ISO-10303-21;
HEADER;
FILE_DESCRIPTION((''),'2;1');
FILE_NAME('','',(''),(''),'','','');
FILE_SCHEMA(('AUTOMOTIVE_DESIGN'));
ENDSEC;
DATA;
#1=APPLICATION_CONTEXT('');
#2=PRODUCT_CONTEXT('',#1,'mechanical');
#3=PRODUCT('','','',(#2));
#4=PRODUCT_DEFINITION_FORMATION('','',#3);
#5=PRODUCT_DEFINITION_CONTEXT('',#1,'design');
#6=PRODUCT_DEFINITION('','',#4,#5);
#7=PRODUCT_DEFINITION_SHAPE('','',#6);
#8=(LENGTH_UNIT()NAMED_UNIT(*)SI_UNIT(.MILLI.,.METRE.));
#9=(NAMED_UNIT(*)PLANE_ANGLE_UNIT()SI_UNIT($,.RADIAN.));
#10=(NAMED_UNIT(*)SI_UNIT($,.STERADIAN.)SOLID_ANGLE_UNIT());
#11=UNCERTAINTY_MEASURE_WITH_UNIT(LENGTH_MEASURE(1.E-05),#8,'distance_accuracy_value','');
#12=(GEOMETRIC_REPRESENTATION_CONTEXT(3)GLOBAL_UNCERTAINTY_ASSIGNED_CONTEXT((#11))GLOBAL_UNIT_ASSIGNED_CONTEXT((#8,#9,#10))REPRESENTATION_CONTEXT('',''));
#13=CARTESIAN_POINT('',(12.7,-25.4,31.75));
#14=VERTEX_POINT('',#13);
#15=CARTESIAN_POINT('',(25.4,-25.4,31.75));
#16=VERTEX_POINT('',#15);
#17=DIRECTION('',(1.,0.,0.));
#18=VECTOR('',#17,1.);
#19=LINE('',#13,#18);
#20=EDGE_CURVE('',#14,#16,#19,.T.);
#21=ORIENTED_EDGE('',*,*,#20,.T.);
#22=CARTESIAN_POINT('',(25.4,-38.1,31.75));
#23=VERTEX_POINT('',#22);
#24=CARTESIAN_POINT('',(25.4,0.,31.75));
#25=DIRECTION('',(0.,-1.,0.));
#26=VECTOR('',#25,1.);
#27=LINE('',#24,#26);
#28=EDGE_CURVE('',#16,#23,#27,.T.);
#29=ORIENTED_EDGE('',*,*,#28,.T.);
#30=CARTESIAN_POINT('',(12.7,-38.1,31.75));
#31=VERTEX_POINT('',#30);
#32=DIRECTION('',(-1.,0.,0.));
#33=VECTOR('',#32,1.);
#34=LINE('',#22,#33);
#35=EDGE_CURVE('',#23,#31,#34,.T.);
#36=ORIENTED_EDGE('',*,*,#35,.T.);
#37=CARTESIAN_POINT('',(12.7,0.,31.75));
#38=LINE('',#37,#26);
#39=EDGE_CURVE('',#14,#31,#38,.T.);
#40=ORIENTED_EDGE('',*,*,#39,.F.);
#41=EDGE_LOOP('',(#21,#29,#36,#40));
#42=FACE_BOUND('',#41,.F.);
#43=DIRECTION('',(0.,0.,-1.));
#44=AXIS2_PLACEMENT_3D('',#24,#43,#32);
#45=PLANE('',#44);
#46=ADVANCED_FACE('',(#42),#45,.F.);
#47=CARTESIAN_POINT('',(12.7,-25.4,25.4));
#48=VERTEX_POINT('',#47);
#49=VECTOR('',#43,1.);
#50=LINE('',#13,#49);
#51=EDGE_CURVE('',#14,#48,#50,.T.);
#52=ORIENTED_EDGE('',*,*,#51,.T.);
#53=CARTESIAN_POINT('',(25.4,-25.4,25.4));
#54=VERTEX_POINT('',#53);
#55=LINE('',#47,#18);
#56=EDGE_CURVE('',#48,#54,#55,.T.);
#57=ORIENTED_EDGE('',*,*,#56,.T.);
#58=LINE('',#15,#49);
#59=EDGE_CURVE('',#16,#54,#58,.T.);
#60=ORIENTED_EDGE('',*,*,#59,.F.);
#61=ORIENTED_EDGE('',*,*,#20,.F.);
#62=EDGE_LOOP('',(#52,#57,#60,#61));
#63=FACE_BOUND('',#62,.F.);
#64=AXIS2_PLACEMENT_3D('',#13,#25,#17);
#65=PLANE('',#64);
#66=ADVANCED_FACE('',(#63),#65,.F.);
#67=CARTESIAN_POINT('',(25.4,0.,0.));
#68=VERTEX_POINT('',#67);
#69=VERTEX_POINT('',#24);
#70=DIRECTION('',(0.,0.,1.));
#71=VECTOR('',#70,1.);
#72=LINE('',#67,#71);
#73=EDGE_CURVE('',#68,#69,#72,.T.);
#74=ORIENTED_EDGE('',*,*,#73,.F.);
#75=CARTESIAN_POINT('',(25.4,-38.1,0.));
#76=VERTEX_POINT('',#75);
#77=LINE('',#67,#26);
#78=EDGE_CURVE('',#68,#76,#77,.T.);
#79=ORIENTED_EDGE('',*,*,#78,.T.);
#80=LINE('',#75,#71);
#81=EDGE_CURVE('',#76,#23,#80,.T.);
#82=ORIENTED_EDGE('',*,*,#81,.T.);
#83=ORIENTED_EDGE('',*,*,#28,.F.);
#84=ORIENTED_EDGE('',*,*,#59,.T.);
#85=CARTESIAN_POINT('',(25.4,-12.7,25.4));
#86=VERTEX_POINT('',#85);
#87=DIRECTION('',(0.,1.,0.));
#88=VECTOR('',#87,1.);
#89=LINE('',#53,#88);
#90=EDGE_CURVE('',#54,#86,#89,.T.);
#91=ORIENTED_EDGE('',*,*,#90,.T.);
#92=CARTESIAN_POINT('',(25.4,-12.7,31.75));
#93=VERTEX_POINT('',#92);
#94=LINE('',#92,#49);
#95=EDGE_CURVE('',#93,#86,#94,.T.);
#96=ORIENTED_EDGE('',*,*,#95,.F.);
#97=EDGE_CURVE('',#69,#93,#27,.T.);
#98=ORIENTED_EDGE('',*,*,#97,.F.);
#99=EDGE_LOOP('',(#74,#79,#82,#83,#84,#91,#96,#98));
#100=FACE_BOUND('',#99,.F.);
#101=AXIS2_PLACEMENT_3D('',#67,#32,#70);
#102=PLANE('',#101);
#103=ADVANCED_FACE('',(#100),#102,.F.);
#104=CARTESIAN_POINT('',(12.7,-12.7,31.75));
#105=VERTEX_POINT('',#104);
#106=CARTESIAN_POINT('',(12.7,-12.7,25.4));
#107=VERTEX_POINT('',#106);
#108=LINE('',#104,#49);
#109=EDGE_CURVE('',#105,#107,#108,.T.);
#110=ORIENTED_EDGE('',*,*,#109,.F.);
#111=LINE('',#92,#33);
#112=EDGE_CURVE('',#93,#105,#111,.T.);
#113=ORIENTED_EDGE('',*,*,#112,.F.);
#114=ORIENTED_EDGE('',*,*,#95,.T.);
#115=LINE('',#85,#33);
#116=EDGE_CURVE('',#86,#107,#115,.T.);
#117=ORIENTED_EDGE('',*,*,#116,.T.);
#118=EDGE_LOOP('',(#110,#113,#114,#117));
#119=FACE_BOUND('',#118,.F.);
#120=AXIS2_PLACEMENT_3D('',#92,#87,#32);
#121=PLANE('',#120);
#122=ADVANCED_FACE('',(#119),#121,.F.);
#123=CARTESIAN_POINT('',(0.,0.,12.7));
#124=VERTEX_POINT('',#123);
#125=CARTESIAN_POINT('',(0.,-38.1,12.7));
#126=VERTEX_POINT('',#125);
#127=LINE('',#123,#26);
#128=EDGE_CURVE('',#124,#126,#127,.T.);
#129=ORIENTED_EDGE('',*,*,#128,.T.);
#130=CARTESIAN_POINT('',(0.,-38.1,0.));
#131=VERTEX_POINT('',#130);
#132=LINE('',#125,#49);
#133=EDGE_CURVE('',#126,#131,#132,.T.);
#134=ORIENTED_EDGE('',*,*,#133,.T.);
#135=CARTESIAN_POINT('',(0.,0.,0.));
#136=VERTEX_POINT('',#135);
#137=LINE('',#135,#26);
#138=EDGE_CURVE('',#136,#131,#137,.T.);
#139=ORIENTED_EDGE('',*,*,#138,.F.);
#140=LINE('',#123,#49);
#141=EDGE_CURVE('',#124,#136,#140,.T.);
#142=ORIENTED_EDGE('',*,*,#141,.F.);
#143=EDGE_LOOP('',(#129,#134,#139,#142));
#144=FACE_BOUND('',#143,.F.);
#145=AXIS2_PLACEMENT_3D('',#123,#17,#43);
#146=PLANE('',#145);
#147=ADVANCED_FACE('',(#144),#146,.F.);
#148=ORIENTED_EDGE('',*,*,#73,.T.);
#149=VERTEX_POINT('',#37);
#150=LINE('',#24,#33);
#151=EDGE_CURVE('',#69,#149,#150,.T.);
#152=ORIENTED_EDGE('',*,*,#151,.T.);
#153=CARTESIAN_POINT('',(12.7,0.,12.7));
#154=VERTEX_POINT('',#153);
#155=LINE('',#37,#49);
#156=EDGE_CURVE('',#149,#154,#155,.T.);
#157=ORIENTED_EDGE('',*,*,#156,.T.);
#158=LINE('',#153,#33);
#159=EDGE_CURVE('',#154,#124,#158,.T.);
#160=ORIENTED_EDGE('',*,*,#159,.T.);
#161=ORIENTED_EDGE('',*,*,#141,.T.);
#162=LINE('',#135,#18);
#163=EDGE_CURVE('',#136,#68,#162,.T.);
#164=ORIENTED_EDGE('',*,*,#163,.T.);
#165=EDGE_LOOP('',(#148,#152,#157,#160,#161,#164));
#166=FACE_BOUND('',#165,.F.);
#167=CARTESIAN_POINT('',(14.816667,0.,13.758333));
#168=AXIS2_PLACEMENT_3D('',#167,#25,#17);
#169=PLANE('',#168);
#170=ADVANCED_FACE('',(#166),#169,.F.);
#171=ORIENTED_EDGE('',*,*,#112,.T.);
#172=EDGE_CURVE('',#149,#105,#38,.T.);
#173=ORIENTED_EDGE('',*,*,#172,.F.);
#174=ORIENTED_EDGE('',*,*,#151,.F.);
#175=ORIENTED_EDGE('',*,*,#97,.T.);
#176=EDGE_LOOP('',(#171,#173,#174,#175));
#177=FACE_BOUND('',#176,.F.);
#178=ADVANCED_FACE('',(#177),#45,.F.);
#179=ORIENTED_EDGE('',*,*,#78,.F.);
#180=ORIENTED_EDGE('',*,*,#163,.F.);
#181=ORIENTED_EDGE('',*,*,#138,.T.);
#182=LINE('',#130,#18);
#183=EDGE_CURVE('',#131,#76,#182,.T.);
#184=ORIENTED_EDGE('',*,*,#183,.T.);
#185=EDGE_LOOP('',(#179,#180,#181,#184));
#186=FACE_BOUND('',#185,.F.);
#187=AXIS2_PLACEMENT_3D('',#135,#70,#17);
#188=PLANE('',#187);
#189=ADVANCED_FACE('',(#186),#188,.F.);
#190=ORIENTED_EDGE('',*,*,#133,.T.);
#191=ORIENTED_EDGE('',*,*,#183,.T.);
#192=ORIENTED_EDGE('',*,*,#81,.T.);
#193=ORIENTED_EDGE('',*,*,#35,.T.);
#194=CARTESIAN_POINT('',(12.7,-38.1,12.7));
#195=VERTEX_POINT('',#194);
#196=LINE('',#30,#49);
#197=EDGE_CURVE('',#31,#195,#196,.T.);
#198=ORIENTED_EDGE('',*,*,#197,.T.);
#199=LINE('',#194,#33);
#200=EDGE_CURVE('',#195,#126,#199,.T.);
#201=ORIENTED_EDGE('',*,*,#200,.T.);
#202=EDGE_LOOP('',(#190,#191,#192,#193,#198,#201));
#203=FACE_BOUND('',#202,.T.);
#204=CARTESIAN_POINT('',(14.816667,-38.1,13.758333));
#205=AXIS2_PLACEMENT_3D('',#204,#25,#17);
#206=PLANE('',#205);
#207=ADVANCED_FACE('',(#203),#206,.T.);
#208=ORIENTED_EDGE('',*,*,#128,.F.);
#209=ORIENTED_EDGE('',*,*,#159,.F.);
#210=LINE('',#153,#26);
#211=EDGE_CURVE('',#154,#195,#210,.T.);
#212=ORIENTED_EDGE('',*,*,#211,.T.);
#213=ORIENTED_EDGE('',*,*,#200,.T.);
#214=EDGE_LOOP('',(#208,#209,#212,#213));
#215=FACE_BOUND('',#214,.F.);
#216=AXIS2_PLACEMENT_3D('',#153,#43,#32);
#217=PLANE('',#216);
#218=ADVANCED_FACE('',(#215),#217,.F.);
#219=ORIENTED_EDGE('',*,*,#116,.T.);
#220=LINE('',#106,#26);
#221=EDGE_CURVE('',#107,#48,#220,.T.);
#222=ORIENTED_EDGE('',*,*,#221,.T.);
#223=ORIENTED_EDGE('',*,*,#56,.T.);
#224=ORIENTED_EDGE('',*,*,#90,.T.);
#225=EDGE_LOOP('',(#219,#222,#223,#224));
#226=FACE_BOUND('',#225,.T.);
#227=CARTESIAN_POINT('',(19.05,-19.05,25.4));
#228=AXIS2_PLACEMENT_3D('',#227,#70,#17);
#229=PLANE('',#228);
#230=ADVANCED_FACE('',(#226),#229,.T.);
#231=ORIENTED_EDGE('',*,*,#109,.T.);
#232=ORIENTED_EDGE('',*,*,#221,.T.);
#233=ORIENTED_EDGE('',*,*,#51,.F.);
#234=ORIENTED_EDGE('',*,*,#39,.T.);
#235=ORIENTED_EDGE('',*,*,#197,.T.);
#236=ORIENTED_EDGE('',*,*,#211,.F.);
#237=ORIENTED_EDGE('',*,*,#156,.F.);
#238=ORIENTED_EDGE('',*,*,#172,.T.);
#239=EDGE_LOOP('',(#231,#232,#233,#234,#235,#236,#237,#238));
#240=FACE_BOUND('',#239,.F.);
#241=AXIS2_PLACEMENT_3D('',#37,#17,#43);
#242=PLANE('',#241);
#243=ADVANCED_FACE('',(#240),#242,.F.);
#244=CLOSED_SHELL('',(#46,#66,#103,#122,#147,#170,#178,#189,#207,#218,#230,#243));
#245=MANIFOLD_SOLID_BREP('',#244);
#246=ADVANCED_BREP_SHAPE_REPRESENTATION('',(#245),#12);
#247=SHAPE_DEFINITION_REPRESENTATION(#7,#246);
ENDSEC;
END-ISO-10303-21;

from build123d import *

# Parameters (mm, degrees)
F1_DEPTH = 38.1
F3_DEPTH = 6.35


with BuildPart() as f1:
    # F0 (on Front) → F1 (new body)
    with BuildSketch(Plane.XZ):
        Polygon((0, 12.7), (0, 0), (25.4, 0), (25.4, 31.75), (12.7, 31.75), (12.7, 12.7), align=None)
    extrude(amount=F1_DEPTH)

    # F2 (on face) → F3 (cut)
    with BuildSketch(Plane.XY.offset(31.75)):
        Polygon((25.4, -25.4), (25.4, -16.55913), (25.4, -12.7), (12.7, -12.7), (12.7, -25.4), align=None)
    extrude(amount=-F3_DEPTH, mode=Mode.SUBTRACT)


solid = f1.part
